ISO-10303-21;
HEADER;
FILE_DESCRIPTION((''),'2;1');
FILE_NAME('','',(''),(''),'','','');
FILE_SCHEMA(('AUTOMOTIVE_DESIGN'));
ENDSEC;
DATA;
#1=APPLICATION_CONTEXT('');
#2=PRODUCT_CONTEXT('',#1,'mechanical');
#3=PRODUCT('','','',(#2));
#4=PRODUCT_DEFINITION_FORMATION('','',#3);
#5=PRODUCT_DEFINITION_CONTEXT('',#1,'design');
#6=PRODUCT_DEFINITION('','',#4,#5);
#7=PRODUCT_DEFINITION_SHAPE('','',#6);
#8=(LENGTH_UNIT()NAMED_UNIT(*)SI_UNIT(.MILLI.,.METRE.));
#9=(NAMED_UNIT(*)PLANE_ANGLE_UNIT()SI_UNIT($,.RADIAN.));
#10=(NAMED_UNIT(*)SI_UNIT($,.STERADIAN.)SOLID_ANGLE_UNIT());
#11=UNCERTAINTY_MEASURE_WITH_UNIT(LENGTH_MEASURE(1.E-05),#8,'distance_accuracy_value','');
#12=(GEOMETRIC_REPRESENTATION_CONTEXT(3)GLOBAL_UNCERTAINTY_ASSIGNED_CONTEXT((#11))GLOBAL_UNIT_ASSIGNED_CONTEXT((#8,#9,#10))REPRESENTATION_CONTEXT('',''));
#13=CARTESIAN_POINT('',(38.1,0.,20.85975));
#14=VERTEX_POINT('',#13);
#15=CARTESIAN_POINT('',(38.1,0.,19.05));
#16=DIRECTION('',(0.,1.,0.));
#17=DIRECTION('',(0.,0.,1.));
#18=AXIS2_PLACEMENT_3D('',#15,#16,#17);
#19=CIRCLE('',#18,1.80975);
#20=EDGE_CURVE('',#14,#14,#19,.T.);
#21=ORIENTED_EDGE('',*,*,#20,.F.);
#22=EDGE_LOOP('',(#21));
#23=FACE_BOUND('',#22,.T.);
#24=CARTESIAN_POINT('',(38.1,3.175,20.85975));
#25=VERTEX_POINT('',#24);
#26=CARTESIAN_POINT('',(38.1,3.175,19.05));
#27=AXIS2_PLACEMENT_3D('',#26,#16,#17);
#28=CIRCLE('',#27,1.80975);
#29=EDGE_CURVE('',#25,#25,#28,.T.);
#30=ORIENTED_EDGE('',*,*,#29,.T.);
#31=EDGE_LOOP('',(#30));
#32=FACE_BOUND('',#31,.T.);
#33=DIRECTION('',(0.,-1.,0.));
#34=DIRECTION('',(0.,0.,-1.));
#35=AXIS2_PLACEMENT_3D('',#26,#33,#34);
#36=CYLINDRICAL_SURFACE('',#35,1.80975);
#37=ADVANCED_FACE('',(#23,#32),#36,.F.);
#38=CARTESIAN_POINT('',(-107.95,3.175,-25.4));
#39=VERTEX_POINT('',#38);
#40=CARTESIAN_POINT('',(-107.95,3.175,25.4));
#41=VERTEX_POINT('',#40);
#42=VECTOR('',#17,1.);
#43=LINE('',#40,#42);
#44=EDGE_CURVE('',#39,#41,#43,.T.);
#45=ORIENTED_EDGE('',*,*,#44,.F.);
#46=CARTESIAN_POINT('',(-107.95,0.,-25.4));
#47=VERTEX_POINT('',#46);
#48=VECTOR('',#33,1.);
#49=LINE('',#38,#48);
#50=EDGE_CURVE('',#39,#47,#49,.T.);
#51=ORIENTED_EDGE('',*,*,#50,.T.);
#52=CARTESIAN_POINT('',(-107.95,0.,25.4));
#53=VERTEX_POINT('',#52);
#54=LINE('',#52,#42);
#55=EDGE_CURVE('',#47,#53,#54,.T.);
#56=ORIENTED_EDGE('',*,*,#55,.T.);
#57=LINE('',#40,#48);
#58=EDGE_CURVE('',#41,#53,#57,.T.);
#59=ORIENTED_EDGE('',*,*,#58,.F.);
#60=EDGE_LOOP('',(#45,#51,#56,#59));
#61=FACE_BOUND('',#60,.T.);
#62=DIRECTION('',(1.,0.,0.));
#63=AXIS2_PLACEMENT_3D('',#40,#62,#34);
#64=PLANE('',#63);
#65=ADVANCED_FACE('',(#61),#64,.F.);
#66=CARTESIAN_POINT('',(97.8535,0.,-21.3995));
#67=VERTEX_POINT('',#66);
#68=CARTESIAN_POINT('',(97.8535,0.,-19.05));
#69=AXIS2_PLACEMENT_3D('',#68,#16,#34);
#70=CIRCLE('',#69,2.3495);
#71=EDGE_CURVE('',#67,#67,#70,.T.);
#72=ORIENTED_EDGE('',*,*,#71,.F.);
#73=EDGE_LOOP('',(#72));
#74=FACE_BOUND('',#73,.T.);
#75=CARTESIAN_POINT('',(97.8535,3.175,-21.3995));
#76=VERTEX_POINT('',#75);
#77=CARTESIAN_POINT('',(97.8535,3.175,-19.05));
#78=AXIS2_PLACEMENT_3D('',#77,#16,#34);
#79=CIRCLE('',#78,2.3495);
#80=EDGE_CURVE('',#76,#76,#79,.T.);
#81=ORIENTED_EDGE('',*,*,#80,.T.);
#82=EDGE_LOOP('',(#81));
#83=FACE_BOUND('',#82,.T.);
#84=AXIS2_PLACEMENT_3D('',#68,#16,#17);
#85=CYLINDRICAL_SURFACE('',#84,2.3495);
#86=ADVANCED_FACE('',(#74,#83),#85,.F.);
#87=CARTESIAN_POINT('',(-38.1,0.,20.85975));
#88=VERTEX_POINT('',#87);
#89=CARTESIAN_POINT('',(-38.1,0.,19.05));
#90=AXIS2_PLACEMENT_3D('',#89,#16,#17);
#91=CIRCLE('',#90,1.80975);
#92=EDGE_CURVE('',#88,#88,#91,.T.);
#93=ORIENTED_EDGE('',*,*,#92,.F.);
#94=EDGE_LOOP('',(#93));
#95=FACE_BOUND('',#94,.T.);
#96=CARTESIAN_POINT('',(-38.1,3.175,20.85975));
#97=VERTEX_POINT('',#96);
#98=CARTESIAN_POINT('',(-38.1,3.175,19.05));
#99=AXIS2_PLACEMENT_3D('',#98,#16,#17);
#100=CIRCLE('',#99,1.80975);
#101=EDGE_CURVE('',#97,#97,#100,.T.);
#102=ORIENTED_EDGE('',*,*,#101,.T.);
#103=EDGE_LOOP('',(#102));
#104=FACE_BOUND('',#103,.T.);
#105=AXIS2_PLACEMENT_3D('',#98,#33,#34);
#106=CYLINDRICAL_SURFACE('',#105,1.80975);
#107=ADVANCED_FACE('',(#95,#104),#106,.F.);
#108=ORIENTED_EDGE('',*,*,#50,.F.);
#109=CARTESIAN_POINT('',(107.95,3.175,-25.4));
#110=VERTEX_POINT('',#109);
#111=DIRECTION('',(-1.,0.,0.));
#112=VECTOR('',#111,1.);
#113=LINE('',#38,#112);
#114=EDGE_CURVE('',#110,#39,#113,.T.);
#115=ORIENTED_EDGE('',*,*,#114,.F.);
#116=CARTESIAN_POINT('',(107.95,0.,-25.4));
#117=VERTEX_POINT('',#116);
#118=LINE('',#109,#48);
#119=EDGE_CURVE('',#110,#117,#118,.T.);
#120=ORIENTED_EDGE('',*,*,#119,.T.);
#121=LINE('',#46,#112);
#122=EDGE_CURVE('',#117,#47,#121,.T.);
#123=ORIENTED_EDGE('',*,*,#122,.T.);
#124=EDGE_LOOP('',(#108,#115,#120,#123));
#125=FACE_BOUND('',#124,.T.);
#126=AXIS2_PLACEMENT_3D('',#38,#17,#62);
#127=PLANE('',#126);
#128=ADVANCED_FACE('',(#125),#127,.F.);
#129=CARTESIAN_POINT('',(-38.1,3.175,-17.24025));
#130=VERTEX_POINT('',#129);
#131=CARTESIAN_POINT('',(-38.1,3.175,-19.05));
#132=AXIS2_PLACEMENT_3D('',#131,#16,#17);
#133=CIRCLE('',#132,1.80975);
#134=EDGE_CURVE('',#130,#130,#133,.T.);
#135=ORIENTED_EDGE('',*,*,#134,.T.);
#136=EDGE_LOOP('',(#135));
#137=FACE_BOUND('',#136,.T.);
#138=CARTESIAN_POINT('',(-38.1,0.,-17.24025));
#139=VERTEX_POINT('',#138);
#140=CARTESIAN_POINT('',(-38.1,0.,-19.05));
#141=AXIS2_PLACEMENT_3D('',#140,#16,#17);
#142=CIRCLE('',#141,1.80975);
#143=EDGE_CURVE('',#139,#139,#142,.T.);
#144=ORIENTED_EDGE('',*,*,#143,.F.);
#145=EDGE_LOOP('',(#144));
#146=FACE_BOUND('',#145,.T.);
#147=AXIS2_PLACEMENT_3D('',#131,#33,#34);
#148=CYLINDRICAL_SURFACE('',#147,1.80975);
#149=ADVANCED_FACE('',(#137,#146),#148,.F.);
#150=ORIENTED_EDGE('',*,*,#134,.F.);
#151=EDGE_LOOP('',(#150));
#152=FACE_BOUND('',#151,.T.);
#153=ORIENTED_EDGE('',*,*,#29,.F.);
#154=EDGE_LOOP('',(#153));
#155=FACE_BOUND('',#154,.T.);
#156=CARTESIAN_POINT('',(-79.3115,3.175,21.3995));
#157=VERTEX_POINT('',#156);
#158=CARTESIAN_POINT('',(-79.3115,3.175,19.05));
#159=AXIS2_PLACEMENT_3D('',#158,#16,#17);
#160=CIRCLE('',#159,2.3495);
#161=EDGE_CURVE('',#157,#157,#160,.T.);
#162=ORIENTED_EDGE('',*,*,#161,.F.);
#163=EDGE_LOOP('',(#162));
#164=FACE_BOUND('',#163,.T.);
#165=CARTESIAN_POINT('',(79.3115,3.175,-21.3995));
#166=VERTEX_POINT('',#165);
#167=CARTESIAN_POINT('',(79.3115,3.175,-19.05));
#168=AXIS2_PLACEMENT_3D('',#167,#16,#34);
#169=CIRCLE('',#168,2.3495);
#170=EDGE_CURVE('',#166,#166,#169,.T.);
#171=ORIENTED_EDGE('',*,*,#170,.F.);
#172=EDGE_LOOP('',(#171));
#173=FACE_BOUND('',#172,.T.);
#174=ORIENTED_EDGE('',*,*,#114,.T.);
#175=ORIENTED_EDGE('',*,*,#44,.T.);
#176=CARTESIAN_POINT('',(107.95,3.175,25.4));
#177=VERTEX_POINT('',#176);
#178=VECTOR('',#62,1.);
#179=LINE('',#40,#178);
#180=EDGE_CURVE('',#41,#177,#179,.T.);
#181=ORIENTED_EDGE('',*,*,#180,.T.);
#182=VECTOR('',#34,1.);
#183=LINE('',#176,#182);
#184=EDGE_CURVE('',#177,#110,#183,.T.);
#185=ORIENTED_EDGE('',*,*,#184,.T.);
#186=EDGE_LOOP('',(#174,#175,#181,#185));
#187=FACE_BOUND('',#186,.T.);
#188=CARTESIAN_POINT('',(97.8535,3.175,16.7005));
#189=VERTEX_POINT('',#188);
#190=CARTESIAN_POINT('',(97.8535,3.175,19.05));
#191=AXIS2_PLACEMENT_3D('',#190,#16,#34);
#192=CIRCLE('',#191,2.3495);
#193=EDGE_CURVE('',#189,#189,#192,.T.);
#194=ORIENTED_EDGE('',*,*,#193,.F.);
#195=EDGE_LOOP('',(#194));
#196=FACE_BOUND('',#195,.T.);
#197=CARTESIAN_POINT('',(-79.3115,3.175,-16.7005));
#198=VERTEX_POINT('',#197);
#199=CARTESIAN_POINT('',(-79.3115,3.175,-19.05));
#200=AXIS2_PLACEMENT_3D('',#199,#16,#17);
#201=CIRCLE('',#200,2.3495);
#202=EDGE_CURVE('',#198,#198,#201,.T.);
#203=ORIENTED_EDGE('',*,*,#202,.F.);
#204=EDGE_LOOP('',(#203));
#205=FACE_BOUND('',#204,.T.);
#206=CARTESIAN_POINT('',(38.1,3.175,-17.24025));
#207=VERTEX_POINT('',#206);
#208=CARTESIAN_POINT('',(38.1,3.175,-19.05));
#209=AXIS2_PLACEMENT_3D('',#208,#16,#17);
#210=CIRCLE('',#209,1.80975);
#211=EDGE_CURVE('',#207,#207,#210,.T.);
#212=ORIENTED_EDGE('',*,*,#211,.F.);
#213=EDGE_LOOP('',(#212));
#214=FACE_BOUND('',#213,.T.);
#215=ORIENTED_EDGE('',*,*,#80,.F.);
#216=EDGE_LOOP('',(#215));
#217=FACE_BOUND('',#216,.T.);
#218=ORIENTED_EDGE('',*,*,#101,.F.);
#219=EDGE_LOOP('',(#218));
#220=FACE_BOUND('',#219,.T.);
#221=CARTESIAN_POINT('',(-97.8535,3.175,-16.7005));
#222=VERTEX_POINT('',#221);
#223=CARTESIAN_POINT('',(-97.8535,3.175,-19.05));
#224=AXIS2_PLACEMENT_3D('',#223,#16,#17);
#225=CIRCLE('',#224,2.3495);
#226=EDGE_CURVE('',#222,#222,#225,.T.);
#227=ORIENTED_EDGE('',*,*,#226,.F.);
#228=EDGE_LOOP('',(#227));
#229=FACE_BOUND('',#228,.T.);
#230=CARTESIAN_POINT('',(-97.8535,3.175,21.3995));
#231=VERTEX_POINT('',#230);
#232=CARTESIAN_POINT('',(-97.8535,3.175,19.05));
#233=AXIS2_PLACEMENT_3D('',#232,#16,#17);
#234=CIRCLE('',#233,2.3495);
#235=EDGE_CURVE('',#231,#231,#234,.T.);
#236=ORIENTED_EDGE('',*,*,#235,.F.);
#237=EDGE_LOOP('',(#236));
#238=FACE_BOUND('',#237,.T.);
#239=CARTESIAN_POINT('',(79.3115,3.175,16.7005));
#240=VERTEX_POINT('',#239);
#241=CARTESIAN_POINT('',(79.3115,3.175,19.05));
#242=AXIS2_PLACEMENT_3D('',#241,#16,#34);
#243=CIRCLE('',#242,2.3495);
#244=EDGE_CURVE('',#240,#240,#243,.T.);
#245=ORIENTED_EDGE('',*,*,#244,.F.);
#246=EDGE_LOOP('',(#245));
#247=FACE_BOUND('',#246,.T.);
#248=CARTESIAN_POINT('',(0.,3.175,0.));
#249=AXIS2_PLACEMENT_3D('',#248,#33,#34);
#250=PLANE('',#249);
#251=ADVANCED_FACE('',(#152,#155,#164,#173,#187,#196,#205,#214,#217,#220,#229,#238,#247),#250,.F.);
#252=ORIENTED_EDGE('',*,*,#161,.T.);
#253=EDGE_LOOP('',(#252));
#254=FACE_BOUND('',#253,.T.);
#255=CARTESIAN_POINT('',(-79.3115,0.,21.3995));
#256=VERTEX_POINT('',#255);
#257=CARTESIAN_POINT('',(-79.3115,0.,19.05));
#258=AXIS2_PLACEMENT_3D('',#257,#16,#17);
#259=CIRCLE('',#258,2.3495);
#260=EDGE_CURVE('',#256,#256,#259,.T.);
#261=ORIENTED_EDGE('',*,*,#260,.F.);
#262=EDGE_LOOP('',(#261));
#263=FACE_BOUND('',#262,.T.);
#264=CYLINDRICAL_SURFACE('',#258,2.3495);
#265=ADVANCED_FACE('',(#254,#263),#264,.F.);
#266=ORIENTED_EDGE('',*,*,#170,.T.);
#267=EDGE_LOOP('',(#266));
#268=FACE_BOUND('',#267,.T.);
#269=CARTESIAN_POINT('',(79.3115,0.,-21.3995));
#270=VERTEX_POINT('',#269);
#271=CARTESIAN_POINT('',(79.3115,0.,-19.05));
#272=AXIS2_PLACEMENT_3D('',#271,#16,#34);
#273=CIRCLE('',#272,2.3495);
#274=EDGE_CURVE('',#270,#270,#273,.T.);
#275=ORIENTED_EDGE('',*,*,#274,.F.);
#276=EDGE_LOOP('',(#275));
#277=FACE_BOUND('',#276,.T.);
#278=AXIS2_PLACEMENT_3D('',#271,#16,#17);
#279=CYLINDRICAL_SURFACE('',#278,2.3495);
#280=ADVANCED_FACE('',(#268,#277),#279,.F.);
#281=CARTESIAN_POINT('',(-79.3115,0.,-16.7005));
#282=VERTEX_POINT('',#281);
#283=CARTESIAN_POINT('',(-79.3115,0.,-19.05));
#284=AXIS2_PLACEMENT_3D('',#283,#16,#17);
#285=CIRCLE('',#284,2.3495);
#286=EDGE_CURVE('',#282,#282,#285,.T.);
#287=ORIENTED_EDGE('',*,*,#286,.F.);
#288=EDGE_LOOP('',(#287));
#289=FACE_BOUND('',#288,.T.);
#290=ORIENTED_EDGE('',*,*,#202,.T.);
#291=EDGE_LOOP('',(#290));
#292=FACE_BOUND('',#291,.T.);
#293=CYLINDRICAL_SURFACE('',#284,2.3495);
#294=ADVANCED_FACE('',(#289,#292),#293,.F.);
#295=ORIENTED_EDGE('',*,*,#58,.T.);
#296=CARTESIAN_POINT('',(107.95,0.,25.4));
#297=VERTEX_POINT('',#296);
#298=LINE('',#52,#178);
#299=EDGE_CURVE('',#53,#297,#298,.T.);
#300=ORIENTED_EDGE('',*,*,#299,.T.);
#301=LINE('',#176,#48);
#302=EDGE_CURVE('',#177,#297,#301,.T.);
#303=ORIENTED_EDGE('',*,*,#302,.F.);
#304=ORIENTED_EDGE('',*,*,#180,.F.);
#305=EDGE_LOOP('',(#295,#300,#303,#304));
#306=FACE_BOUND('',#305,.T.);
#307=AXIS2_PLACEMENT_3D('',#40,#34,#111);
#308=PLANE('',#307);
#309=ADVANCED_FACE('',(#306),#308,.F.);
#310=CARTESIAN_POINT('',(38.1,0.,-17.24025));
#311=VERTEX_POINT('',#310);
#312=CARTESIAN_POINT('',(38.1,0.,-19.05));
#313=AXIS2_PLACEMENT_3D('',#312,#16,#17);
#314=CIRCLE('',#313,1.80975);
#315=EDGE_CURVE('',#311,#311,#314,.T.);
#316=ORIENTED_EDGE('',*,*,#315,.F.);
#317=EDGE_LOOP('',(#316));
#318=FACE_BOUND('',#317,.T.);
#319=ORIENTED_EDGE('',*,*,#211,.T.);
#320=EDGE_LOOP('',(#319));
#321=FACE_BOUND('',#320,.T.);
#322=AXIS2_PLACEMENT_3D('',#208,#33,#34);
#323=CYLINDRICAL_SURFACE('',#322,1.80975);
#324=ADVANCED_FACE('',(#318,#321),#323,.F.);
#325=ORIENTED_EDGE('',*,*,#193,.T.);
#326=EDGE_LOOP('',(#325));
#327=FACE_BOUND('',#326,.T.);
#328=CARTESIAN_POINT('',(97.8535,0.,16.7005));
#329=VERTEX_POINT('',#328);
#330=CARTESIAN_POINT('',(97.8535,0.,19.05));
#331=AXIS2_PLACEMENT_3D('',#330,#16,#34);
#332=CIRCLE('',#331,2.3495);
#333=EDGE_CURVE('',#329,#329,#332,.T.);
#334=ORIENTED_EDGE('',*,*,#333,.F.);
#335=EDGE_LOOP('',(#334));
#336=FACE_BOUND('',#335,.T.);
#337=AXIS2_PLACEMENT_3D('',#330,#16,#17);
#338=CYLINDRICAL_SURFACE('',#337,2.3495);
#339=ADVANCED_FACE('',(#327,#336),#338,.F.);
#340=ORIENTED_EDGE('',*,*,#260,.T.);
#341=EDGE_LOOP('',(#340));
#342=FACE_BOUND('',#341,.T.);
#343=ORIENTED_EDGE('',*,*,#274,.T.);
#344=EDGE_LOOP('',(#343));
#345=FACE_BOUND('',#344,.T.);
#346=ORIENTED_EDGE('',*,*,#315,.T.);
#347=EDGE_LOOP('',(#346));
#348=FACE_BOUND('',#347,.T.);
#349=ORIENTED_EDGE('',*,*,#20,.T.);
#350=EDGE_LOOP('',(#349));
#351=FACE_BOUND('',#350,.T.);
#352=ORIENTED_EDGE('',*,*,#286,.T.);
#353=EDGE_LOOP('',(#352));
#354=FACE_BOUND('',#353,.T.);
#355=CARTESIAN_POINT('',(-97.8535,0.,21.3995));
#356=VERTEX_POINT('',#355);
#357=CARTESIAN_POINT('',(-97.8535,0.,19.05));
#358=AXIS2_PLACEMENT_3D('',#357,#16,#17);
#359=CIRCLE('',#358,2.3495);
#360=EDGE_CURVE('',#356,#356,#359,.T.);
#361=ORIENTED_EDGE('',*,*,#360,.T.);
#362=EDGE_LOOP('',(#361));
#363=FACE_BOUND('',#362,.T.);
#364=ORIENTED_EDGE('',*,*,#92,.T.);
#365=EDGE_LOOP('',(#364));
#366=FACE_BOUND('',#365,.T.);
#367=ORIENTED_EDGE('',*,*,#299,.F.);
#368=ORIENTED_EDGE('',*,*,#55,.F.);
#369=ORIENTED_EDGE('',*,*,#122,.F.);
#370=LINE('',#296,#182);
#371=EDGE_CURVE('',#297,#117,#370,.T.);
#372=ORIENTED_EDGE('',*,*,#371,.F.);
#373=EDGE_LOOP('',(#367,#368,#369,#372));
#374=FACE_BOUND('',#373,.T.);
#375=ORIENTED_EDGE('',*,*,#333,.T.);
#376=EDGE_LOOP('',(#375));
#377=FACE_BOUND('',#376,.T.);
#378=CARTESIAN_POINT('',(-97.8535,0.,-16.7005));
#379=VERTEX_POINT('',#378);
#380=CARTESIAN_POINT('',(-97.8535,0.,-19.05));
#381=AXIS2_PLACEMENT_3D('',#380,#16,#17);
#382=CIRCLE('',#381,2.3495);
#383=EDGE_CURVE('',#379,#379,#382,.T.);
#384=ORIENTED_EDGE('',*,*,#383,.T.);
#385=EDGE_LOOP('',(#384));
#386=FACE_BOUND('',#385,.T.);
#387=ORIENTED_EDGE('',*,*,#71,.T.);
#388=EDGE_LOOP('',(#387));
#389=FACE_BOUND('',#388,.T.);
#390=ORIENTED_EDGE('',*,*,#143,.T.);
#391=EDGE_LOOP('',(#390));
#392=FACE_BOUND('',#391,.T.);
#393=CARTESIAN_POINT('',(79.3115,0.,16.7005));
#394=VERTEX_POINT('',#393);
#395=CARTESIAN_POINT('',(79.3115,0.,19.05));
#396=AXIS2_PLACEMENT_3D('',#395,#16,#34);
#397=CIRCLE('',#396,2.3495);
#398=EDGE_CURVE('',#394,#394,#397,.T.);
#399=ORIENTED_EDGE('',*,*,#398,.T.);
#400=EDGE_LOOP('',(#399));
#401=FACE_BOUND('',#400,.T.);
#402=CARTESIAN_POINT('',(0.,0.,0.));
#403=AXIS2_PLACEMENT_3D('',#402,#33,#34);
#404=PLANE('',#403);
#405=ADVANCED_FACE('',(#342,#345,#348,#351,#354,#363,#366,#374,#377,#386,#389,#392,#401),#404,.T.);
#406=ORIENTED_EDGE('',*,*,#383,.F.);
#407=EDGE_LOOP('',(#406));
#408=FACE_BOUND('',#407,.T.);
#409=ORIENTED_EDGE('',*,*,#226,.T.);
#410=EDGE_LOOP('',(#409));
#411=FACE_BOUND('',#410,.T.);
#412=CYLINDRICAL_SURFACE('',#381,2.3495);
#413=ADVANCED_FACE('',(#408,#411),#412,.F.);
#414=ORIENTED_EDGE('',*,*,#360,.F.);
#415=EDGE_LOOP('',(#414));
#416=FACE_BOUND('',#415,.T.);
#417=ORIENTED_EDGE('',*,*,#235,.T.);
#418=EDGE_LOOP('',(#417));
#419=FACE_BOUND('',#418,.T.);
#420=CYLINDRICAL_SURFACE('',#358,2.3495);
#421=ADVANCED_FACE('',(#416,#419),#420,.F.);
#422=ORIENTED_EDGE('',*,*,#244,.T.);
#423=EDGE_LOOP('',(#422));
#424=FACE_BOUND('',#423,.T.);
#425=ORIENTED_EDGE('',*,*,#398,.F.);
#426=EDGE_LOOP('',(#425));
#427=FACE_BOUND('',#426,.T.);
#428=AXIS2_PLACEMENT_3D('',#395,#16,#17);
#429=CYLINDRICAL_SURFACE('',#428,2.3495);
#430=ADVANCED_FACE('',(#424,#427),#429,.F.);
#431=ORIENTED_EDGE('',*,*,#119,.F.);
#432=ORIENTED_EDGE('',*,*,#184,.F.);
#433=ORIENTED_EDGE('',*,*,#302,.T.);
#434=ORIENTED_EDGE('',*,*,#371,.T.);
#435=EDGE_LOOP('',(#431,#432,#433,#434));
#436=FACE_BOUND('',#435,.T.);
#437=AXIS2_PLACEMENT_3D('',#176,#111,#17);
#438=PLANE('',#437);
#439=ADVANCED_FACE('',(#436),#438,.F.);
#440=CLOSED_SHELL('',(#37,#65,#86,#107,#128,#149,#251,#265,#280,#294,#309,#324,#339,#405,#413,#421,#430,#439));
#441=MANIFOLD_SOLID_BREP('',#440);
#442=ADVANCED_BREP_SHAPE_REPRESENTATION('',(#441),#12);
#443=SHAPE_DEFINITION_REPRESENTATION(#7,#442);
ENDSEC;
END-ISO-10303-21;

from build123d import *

# Parameters (mm, degrees)
SKETCH1_W           = 215.9
SKETCH1_H           = 50.8
SKETCH1_R           = 1.80975
BOSS_EXTRUDE1_DEPTH = 3.175
SKETCH2_R           = 2.3495
CUT_EXTRUDE1_DEPTH  = 4.175


with BuildPart() as part:
    # Sketch1 → Boss-Extrude1 (new body)
    with BuildSketch(Plane(origin=(0, 0, 0), x_dir=(1, 0, 0), z_dir=(0, 1, 0))):
        Rectangle(SKETCH1_W, SKETCH1_H)
        with Locations((-38.1, 19.05)):
            Circle(SKETCH1_R, mode=Mode.SUBTRACT)
        with Locations((-38.1, -19.05)):
            Circle(SKETCH1_R, mode=Mode.SUBTRACT)
        with Locations((38.1, 19.05)):
            Circle(SKETCH1_R, mode=Mode.SUBTRACT)
        with Locations((38.1, -19.05)):
            Circle(SKETCH1_R, mode=Mode.SUBTRACT)
    extrude(amount=BOSS_EXTRUDE1_DEPTH)

    # Sketch2 → Cut-Extrude1 (cut, through all)
    with BuildSketch(Plane(origin=(0, 3.175, 0), x_dir=(1, 0, 0), z_dir=(0, 1, 0))):
        with Locations((-97.8535, 19.05)):
            Circle(SKETCH2_R)
        with Locations((-79.3115, 19.05)):
            Circle(SKETCH2_R)
        with Locations((-79.3115, -19.05)):
            Circle(SKETCH2_R)
        with Locations((-97.8535, -19.05)):
            Circle(SKETCH2_R)
        with Locations((97.8535, -19.05)):
            Circle(SKETCH2_R)
        with Locations((79.3115, -19.05)):
            Circle(SKETCH2_R)
        with Locations((79.3115, 19.05)):
            Circle(SKETCH2_R)
        with Locations((97.8535, 19.05)):
            Circle(SKETCH2_R)
    extrude(amount=-CUT_EXTRUDE1_DEPTH, mode=Mode.SUBTRACT)


solid = part.part
